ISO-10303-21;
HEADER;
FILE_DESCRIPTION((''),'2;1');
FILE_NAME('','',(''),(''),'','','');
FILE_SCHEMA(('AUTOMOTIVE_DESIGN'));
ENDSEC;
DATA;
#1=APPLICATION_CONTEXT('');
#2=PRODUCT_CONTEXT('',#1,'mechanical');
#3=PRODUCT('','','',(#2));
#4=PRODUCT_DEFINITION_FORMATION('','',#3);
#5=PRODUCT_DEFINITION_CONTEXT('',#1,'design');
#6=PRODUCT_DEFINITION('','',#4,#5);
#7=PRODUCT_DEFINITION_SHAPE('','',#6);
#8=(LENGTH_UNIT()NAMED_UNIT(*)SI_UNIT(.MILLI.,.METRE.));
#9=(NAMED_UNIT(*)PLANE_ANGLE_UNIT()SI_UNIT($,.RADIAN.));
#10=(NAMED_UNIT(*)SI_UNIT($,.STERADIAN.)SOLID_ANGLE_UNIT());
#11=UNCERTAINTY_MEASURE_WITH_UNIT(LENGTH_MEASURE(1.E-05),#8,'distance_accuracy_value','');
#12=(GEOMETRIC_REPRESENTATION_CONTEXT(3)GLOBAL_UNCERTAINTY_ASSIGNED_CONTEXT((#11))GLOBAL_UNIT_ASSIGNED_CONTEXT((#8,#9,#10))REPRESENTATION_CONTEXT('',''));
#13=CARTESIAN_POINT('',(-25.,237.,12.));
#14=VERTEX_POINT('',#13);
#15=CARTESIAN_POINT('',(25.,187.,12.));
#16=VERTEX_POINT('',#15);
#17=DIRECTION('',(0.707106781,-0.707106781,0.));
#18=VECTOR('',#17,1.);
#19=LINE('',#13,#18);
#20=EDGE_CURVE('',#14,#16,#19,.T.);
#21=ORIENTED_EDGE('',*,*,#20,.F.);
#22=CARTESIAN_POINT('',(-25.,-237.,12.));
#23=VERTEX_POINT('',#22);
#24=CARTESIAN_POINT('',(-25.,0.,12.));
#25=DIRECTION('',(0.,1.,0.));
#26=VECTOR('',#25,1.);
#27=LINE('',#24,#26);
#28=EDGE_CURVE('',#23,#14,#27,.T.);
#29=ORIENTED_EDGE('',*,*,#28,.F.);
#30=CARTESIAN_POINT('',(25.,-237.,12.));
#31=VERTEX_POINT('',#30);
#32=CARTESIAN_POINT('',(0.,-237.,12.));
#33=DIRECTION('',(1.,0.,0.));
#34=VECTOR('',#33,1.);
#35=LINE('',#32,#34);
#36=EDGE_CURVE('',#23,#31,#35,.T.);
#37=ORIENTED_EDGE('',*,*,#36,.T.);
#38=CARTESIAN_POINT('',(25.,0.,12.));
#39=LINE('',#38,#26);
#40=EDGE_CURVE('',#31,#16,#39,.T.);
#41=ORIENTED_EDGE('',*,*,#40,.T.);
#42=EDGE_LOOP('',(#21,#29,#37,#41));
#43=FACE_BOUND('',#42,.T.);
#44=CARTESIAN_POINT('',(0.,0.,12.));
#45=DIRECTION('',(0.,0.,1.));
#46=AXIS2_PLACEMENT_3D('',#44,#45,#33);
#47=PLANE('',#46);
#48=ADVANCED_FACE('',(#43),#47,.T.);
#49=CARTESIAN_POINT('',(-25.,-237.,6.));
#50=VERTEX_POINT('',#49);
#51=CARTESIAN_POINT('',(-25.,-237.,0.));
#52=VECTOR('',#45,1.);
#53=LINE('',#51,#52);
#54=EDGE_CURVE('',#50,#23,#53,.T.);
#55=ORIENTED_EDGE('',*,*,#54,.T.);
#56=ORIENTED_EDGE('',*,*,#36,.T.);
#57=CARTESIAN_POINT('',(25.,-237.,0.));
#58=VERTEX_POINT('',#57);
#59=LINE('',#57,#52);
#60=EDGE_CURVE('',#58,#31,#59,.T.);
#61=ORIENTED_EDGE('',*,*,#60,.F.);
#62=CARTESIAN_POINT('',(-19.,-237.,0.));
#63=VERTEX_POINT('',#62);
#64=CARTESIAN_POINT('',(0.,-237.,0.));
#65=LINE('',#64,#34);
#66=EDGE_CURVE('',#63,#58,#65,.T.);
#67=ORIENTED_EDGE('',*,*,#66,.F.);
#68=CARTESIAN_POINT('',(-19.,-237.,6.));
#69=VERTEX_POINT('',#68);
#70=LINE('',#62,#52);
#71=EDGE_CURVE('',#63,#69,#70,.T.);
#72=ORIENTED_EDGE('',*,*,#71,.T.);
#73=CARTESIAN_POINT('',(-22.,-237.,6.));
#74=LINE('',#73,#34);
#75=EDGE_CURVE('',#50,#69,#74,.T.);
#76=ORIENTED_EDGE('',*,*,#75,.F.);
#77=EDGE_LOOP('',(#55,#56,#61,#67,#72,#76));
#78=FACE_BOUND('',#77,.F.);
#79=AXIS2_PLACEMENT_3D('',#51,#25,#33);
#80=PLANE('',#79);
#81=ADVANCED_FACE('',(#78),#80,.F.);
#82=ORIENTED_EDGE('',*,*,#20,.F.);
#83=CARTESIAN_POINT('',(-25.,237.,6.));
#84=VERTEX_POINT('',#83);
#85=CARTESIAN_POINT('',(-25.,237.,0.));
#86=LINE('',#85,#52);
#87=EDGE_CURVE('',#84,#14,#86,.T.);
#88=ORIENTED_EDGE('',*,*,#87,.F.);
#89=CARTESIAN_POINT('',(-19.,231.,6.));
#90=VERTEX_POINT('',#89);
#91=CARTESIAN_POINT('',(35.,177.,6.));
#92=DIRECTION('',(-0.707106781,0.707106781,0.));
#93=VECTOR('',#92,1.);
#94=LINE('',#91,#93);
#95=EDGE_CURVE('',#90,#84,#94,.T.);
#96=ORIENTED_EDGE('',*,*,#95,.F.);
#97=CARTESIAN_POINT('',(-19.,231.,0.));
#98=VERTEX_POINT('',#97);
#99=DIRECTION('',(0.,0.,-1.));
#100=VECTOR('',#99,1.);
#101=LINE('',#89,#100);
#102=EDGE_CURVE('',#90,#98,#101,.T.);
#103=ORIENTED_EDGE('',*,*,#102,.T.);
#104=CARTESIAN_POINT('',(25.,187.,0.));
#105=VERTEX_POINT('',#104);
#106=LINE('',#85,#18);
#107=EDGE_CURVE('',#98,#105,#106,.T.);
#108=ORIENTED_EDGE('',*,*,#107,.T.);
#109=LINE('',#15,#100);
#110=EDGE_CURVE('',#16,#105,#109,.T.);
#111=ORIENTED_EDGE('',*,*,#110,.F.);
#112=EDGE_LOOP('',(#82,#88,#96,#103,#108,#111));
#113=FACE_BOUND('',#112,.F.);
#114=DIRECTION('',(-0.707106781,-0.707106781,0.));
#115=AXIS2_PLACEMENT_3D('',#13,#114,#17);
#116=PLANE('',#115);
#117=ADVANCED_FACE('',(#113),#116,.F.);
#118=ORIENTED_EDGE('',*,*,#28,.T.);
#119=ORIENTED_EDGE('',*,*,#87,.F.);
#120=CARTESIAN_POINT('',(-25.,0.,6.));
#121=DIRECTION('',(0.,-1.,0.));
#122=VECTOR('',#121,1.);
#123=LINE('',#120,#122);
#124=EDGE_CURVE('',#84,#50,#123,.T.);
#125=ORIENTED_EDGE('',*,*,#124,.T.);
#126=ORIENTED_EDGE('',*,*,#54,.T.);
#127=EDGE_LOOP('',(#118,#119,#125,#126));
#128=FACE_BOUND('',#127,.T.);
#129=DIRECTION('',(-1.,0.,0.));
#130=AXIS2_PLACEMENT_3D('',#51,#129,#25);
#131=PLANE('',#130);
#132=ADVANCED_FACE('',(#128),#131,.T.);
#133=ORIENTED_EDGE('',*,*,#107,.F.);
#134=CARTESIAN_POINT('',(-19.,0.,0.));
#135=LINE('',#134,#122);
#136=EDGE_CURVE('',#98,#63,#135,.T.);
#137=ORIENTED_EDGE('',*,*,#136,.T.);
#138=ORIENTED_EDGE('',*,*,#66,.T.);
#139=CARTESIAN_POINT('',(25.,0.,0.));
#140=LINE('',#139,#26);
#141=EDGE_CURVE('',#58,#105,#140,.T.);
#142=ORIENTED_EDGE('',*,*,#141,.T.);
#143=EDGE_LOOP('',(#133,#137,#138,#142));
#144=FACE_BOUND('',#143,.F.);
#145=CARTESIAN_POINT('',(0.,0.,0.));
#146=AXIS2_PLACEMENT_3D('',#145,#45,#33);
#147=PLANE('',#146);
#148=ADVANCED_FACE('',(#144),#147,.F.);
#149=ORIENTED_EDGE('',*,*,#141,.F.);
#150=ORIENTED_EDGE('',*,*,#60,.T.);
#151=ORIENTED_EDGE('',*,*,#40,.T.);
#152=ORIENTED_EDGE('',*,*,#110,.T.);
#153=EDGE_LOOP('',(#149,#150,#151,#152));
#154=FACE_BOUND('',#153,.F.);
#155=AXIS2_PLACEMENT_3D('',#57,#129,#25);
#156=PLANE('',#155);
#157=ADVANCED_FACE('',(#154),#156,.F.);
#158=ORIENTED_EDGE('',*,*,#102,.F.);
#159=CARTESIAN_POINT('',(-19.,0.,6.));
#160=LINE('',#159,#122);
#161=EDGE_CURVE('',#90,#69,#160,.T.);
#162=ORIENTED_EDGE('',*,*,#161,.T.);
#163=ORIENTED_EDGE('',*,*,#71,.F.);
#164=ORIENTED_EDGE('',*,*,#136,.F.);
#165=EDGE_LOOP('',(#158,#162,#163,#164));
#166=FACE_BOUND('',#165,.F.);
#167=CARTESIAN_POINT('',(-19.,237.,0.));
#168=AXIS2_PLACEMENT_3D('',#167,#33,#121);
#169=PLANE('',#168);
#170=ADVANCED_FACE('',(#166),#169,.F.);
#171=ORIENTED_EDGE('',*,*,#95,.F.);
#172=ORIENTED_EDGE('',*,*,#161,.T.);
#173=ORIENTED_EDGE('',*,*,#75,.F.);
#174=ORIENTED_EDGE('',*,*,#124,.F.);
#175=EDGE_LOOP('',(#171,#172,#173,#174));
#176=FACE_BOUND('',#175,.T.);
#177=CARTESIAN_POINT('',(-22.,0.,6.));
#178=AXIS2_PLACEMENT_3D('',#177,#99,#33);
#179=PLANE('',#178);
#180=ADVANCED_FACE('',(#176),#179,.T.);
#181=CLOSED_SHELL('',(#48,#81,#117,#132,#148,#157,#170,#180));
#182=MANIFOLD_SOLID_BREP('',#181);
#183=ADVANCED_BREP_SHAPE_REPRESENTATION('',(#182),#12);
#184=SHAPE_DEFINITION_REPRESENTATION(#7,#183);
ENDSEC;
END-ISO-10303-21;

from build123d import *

# Parameters (mm, degrees)
F0_W     = 50
F0_H     = 474
F1_DEPTH = 12
F2_W     = 6
F2_H     = 474
F3_DEPTH = 6
F5_DEPTH = 12


with BuildPart() as f1:
    # F0 (on Top) → F1 (new body)
    with BuildSketch(Plane.XY):
        Rectangle(F0_W, F0_H)
    extrude(amount=F1_DEPTH)

    # F2 (on face) → F3 (cut)
    with BuildSketch(Plane(origin=(0, 0, 0), x_dir=(1, 0, 0), z_dir=(0, 0, -1))):
        with Locations((-22, 0)):
            Rectangle(F2_W, F2_H)
    extrude(amount=-F3_DEPTH, mode=Mode.SUBTRACT)

    # F4 (on face) → F5 (cut, through all)
    with BuildSketch(Plane.XY.offset(12)):
        Polygon((25, 237), (-25, 237), (25, 187), align=None)
    extrude(amount=-F5_DEPTH, mode=Mode.SUBTRACT)


solid = f1.part
